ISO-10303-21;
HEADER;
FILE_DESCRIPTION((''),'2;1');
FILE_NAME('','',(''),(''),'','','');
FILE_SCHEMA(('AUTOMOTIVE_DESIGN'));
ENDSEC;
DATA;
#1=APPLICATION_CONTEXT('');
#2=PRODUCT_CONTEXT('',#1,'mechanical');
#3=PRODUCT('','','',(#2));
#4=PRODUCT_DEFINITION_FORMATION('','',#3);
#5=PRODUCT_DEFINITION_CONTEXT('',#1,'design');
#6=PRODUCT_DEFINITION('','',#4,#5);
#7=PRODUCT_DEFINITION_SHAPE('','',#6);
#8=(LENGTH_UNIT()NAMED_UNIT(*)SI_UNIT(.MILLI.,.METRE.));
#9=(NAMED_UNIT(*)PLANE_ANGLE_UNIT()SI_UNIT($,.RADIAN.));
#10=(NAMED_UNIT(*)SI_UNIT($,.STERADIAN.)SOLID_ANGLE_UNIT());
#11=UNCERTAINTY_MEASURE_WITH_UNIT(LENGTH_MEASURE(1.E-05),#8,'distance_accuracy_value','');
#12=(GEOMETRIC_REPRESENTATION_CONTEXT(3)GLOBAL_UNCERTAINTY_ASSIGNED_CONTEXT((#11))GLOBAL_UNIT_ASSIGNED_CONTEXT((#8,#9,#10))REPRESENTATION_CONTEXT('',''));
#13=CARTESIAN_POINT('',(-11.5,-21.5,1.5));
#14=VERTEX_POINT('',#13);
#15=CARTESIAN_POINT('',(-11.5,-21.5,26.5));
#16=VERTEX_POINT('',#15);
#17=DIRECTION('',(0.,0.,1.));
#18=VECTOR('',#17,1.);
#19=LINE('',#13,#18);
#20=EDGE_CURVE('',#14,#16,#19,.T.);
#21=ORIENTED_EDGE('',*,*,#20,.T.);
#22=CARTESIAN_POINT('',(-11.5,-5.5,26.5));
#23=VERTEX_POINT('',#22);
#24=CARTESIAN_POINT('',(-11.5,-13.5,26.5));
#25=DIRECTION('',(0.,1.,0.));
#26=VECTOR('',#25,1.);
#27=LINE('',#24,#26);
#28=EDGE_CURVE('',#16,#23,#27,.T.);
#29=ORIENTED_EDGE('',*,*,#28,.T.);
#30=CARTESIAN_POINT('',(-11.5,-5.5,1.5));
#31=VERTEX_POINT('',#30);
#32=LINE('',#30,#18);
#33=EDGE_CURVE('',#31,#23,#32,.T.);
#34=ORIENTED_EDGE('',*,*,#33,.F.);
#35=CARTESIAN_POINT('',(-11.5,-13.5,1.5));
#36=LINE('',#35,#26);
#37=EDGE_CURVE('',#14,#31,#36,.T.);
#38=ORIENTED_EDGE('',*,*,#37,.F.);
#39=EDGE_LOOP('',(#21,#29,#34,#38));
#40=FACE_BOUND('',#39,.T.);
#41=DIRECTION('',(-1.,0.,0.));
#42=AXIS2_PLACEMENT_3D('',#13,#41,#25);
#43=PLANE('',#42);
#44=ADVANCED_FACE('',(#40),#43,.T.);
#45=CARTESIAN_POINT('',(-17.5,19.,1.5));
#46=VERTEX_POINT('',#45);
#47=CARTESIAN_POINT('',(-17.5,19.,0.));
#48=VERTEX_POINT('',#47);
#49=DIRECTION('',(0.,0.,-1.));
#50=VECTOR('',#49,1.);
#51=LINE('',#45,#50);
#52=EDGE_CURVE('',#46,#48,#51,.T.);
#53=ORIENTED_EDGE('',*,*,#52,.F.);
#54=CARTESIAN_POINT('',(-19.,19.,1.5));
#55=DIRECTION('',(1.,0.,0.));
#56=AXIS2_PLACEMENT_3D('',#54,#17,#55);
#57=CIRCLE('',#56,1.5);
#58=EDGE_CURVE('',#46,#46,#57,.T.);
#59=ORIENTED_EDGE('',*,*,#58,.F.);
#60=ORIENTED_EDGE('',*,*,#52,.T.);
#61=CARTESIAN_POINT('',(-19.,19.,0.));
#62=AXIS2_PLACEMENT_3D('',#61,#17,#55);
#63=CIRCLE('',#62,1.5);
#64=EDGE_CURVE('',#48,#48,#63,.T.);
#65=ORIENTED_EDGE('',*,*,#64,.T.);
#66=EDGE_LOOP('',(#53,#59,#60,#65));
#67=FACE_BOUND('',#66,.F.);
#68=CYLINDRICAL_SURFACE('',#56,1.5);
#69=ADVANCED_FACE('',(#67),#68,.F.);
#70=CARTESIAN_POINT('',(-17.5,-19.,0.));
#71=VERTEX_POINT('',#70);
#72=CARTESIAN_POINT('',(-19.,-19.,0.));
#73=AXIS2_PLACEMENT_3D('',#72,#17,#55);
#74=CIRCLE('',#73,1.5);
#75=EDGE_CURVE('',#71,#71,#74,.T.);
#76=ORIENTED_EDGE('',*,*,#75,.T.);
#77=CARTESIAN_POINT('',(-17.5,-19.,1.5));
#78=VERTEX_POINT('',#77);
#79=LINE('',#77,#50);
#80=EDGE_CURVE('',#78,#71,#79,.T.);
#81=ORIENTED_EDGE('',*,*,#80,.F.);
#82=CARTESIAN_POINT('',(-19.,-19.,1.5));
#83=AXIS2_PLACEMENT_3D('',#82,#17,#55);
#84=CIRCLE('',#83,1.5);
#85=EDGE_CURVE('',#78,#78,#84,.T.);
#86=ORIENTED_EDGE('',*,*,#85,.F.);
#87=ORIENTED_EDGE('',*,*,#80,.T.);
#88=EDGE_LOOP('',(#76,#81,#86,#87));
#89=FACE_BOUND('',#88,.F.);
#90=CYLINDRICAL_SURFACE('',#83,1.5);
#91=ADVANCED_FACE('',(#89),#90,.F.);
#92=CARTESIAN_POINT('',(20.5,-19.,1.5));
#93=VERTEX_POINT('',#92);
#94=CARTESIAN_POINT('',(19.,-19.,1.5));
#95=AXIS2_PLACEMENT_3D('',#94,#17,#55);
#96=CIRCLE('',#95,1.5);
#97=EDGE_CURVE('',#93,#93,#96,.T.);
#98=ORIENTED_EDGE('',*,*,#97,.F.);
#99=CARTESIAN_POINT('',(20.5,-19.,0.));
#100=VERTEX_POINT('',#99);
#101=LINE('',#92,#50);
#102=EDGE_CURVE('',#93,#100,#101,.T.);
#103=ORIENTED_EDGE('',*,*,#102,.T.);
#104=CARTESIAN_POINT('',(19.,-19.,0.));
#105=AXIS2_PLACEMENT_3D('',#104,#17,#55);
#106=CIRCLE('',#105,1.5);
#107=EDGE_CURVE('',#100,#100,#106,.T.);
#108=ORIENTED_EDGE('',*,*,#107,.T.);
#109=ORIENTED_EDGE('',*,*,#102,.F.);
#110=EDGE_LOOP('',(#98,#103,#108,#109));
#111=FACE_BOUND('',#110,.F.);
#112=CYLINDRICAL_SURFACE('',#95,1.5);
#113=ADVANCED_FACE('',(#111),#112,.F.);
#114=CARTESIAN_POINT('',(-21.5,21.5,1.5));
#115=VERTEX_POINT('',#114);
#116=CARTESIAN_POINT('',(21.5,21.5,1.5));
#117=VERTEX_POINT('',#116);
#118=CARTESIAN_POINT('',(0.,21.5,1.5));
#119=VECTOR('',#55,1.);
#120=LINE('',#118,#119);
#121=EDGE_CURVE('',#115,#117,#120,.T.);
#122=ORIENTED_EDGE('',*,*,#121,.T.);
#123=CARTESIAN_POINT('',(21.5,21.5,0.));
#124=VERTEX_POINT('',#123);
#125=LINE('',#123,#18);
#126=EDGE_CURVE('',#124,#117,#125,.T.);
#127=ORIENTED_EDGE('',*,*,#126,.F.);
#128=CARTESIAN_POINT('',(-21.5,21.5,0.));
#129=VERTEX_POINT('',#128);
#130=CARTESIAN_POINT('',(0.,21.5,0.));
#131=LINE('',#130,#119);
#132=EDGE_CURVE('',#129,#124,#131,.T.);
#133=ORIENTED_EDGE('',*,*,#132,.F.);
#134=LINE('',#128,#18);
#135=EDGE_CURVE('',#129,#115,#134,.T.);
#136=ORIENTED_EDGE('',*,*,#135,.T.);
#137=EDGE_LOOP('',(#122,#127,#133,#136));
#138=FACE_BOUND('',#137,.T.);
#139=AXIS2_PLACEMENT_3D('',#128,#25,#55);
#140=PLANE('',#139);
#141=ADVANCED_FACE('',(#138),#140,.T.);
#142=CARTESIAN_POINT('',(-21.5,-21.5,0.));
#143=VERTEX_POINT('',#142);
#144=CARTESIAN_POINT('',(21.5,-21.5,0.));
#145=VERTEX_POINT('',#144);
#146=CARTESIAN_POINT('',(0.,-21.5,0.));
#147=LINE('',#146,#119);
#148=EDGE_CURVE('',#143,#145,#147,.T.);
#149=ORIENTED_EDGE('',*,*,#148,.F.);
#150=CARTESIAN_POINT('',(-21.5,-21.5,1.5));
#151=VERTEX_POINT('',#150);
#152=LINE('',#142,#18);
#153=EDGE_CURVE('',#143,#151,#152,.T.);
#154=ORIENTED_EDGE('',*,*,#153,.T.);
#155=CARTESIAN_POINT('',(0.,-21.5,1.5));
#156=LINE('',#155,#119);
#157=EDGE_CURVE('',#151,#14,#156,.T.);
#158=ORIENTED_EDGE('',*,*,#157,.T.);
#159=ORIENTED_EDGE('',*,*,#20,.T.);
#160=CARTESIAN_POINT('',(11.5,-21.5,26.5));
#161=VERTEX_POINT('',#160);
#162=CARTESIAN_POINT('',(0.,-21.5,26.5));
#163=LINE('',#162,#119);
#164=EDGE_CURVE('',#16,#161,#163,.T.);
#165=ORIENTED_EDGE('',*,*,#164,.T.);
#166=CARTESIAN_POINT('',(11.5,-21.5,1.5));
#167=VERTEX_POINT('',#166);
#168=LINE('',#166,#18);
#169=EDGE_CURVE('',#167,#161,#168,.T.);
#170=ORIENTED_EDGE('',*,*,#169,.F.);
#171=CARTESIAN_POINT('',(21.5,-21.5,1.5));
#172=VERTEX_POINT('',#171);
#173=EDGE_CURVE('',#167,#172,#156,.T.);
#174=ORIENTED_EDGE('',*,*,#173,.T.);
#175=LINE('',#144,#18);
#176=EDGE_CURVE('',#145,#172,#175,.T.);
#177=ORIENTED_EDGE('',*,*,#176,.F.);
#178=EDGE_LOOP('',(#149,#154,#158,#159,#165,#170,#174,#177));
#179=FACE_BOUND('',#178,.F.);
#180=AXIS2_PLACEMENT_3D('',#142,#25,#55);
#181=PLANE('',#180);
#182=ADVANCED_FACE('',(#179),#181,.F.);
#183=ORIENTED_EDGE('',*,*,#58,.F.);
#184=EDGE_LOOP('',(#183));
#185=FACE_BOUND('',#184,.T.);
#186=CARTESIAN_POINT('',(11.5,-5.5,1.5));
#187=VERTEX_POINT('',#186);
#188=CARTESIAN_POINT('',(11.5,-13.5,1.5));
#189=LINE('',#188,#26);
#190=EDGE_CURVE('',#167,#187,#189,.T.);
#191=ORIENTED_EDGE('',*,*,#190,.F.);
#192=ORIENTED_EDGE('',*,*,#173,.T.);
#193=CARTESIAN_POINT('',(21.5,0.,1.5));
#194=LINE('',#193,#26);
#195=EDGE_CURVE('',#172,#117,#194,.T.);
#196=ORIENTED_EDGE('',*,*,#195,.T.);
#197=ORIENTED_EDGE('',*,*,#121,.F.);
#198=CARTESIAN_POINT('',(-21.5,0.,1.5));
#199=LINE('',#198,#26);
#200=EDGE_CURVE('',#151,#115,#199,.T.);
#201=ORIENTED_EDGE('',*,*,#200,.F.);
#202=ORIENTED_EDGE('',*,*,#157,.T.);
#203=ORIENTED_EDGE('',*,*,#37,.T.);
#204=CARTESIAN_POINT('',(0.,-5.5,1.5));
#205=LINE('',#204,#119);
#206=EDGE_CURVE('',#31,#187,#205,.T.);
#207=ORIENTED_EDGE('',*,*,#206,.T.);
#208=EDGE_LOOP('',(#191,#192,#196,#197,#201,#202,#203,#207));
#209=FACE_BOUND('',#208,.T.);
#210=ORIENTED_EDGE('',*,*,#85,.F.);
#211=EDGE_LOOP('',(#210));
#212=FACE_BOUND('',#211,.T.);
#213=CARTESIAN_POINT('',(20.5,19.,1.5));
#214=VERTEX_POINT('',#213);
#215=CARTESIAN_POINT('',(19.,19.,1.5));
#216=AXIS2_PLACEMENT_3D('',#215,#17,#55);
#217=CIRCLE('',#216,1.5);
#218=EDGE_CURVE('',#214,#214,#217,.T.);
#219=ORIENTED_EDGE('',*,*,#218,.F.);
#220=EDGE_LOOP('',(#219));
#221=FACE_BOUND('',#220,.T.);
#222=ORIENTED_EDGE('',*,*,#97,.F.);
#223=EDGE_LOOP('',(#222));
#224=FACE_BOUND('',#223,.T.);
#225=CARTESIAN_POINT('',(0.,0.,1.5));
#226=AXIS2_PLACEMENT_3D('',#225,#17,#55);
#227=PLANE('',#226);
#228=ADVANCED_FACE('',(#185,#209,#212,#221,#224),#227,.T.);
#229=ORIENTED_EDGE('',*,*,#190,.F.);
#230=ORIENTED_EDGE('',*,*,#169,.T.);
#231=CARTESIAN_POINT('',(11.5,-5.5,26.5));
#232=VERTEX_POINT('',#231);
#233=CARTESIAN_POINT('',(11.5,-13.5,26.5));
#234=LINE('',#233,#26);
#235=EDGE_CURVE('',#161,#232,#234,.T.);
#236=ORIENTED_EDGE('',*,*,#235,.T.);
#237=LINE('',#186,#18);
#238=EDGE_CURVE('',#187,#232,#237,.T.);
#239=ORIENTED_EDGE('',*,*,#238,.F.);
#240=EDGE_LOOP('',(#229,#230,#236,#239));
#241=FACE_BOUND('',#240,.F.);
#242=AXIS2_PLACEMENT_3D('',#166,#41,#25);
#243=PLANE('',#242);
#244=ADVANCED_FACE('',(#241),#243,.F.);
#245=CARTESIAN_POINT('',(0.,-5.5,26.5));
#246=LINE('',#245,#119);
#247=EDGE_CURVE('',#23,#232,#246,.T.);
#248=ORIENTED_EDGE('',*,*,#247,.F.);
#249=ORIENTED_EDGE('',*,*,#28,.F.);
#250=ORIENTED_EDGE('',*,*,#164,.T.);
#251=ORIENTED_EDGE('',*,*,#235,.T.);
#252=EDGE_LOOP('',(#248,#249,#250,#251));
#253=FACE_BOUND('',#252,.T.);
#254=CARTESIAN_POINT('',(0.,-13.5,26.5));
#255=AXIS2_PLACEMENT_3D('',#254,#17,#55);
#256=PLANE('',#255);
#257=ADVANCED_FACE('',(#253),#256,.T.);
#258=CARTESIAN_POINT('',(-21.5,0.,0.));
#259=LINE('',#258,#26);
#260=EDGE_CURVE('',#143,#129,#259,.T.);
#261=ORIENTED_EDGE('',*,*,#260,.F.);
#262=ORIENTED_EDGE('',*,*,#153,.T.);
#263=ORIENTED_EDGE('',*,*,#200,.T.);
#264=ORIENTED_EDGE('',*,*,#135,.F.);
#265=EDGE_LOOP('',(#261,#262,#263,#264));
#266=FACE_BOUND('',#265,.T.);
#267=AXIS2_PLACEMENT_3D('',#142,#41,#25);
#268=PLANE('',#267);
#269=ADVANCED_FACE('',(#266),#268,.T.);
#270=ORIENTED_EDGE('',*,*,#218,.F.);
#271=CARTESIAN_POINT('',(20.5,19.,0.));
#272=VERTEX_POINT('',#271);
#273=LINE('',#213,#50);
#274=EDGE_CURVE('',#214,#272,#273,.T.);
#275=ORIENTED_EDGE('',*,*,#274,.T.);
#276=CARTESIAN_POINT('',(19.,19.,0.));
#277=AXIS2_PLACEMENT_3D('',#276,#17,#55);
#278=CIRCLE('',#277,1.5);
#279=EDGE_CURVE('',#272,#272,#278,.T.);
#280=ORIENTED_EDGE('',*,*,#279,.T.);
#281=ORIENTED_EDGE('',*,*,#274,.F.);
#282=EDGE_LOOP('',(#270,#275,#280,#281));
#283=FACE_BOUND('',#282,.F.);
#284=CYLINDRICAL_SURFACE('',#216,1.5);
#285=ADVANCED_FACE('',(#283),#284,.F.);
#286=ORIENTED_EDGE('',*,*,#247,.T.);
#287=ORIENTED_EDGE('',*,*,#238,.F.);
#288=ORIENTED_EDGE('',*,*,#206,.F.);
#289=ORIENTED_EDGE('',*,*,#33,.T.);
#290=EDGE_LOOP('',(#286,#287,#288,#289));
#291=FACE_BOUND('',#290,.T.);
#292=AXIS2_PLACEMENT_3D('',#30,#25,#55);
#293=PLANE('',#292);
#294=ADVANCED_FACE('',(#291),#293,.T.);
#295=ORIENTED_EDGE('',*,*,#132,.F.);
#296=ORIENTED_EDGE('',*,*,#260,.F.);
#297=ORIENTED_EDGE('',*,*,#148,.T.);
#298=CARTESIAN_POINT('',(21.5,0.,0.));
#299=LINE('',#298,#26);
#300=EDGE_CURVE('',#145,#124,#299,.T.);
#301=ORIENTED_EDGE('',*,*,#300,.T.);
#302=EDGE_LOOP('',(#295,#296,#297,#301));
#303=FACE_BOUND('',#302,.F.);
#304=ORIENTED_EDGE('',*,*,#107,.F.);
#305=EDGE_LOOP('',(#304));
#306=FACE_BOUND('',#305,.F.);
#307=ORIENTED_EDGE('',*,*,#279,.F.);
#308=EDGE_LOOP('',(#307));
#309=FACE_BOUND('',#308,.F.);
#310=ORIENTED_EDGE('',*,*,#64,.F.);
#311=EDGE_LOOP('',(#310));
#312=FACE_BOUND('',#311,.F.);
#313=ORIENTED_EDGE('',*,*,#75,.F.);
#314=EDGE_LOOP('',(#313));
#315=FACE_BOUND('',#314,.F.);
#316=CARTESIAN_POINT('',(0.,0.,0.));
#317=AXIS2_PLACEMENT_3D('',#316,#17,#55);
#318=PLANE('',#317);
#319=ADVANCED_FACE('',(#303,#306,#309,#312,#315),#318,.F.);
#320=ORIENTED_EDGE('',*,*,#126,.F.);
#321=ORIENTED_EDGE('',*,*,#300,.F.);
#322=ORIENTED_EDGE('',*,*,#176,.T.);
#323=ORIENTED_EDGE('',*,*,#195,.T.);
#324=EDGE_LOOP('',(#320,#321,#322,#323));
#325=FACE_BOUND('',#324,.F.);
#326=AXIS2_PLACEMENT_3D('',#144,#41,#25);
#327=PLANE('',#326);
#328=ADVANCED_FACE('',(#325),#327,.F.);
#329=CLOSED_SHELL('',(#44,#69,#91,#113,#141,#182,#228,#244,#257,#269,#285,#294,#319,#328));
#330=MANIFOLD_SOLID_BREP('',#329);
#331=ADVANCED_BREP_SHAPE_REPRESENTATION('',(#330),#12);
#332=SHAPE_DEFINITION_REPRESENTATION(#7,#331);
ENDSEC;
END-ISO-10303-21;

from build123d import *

# Parameters (mm, degrees)
F0_W     = 43
F0_H     = 43
F1_DEPTH = 1.5
F2_W     = 23
F2_H     = 16
F3_DEPTH = 25
F4_R     = 1.5
F5_DEPTH = 1.501


with BuildPart() as f1:
    # F0 (on Top) → F1 (new body)
    with BuildSketch(Plane.XY):
        Rectangle(F0_W, F0_H)
    extrude(amount=F1_DEPTH)

    # F2 (on face) → F3 (join)
    with BuildSketch(Plane.XY.offset(1.5)):
        with Locations((0, -13.5)):
            Rectangle(F2_W, F2_H)
    extrude(amount=F3_DEPTH)

    # F4 (on face) → F5 (cut, through all)
    with BuildSketch(Plane.XY.offset(1.5)):
        with Locations((-19, -19)):
            Circle(F4_R)
        with Locations((19, -19)):
            Circle(F4_R)
        with Locations((-19, 19)):
            Circle(F4_R)
        with Locations((19, 19)):
            Circle(F4_R)
    extrude(amount=-F5_DEPTH, mode=Mode.SUBTRACT)


solid = f1.part
